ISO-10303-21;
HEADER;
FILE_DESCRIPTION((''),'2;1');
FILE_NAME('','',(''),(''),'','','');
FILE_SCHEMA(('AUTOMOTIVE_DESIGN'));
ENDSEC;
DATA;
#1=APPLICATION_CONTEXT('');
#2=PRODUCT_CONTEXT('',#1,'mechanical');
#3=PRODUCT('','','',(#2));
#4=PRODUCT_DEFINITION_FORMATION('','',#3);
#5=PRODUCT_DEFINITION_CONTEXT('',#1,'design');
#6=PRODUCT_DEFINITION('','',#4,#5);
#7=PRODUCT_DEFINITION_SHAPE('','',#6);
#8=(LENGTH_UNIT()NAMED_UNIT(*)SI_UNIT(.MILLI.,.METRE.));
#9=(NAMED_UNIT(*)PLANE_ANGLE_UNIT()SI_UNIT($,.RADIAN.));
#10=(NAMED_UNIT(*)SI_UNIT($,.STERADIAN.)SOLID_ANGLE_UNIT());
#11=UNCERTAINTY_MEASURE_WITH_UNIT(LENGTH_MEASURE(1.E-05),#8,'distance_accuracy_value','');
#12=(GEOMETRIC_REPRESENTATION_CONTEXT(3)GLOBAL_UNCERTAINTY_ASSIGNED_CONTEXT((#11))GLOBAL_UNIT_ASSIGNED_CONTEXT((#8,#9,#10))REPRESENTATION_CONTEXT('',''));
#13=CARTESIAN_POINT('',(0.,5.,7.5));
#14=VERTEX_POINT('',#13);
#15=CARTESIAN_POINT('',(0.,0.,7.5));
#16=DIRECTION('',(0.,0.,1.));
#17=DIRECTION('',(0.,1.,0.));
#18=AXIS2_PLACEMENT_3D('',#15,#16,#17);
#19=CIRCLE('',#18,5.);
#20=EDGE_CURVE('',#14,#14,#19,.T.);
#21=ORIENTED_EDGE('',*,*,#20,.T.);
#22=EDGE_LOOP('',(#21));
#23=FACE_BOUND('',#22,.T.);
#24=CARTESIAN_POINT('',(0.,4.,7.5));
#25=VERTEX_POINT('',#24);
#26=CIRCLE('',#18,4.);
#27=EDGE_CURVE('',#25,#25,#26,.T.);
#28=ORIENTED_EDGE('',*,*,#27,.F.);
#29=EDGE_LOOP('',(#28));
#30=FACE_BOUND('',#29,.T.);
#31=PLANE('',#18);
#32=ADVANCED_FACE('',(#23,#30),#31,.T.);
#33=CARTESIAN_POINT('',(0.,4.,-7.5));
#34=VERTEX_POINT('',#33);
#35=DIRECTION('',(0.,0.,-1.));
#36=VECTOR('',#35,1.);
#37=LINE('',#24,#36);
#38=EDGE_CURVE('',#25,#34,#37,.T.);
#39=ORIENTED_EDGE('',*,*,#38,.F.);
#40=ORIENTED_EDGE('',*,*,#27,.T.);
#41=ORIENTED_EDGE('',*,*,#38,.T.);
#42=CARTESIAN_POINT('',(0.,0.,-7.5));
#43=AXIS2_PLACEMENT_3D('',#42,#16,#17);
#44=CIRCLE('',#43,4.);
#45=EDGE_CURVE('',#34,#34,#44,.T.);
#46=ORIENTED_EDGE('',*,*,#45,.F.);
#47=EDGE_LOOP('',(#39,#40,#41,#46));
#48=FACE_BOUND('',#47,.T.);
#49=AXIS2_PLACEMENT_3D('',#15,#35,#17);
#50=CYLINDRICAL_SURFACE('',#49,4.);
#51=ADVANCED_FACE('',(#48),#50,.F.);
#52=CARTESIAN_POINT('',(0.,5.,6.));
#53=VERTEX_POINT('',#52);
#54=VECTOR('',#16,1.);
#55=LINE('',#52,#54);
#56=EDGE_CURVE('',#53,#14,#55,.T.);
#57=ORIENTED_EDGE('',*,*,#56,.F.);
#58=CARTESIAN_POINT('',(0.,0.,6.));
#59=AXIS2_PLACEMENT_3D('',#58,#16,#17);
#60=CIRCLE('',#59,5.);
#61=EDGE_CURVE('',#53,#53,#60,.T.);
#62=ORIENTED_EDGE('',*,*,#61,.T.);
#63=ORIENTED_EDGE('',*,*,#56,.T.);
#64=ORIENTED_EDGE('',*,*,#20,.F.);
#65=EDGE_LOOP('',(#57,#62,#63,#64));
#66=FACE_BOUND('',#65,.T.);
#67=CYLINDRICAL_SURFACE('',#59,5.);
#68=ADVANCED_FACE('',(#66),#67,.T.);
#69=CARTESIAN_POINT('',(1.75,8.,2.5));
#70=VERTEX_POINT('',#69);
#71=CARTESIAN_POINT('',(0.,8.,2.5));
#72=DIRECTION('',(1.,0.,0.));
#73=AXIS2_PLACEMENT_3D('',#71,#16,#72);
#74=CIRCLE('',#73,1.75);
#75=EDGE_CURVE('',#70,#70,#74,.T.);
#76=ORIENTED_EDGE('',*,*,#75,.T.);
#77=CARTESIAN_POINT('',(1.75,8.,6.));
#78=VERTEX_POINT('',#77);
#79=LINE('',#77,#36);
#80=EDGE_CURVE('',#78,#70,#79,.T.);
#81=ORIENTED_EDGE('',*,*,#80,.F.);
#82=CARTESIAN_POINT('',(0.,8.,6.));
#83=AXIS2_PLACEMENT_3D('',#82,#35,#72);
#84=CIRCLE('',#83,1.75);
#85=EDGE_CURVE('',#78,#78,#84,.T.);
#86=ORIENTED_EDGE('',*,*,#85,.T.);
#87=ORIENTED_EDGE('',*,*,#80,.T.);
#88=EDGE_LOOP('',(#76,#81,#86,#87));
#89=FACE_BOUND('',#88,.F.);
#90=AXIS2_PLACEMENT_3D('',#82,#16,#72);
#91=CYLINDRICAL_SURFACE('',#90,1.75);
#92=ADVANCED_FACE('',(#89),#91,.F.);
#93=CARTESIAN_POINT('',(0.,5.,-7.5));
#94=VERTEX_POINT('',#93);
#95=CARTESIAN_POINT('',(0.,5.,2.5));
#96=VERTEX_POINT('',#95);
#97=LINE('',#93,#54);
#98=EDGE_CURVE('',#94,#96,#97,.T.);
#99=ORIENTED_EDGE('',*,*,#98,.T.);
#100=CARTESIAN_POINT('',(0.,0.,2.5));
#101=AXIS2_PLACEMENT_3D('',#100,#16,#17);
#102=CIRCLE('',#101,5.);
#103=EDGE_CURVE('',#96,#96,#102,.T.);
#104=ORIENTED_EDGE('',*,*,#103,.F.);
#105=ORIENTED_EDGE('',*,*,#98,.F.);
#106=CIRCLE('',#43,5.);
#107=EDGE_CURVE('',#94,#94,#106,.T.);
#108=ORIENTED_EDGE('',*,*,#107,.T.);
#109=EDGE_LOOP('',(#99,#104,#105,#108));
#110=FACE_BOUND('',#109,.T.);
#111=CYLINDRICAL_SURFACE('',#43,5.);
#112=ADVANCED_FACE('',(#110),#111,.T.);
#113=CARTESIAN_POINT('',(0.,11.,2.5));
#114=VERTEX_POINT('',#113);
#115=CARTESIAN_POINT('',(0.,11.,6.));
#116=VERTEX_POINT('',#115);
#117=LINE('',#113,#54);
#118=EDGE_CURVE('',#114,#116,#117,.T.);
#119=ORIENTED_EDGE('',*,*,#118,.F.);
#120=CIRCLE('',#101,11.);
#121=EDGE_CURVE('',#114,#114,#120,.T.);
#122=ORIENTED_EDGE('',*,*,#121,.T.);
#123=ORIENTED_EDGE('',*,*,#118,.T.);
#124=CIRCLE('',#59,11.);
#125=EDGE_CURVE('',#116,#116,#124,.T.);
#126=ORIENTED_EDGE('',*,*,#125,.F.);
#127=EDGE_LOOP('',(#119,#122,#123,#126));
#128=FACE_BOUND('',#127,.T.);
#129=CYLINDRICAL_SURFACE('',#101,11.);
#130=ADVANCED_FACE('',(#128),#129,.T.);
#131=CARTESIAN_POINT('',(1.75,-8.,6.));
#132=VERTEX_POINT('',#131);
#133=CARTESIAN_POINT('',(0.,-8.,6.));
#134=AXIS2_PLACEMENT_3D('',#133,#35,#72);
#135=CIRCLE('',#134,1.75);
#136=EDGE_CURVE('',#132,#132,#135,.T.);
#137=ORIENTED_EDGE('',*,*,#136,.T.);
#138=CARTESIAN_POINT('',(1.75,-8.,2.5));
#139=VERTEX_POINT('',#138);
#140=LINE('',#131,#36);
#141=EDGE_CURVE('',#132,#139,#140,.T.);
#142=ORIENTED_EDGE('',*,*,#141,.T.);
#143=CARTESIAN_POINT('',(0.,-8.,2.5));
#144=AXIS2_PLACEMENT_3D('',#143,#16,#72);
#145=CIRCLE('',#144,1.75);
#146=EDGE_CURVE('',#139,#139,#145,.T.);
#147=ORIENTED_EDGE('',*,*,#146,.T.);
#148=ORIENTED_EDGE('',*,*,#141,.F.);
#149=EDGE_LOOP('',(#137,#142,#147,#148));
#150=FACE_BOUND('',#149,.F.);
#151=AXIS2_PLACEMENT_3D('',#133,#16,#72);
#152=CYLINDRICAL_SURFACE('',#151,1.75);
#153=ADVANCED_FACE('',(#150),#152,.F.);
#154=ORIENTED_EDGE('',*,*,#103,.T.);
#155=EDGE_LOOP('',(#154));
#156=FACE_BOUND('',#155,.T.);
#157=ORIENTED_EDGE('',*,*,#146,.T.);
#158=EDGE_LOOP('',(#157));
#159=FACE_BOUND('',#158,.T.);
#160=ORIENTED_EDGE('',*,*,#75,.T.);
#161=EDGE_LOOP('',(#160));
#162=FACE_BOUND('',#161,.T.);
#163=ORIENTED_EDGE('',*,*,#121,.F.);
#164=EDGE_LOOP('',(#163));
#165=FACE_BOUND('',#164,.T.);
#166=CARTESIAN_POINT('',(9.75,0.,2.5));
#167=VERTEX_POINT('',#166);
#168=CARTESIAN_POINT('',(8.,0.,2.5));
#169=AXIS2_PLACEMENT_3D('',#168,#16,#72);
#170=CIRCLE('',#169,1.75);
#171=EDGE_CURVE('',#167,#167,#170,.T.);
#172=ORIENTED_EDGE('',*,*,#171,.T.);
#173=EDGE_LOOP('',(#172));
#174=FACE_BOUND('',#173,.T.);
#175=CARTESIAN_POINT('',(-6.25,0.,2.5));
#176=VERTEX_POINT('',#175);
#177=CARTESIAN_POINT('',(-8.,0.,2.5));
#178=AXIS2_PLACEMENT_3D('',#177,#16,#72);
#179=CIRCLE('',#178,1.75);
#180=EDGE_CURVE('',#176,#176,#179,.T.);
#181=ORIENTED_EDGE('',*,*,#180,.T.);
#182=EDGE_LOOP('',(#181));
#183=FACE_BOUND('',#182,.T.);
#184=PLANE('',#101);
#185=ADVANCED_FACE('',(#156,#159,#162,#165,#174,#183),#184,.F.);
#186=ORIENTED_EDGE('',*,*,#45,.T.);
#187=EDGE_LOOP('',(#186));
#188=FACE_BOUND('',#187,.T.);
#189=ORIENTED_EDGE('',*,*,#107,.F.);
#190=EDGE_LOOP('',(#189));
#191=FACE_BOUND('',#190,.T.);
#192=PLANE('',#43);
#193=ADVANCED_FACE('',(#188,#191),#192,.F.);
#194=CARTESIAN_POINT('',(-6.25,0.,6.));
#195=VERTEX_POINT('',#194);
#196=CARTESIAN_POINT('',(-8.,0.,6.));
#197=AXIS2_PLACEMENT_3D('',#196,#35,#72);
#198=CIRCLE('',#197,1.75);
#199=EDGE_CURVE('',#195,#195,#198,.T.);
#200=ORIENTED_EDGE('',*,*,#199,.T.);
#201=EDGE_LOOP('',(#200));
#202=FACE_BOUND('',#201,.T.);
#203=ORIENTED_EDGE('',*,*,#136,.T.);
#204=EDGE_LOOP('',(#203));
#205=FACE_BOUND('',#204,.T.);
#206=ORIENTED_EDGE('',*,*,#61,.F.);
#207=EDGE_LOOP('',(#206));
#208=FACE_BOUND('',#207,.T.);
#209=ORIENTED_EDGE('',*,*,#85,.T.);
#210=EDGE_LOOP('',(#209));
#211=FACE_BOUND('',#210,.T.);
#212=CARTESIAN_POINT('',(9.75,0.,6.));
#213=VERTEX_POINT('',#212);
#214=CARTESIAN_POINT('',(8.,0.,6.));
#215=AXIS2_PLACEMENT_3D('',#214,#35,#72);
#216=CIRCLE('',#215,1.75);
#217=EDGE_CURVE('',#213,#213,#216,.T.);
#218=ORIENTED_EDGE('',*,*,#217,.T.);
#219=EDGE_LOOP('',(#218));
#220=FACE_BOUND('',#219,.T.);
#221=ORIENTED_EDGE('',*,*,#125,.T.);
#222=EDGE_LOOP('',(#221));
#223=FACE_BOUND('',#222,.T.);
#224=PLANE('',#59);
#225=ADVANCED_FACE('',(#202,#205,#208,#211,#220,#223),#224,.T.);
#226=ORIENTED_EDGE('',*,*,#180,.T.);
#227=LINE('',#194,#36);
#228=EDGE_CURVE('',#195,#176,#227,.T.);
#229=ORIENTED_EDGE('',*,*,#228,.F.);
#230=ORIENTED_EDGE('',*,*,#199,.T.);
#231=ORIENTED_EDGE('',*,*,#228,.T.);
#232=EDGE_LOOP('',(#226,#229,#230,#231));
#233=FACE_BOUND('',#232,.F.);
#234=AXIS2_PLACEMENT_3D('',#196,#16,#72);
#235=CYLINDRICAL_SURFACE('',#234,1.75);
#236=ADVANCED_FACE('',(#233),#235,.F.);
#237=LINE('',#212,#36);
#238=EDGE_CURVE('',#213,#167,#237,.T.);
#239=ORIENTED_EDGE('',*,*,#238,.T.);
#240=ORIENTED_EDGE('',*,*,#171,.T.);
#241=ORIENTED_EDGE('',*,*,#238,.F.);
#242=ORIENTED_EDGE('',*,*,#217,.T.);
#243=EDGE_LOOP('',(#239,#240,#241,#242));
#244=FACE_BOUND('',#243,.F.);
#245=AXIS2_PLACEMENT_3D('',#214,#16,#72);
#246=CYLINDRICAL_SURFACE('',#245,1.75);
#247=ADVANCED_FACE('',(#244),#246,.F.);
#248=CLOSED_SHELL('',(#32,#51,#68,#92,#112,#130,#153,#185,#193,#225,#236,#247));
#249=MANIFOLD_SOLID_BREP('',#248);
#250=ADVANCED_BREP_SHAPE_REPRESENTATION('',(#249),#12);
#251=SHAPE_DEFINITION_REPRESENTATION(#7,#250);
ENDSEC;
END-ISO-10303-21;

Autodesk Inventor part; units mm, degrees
ref_plane "YZ Plane" through (0, 0, 0) normal (1, 0, 0) x (0, 1, 0)
ref_plane "XZ Plane" through (0, 0, 0) normal (0, 1, 0) x (-1, 0, 0)
ref_plane "XY Plane" through (0, 0, 0) normal (0, 0, 1) x (1, 0, 0)
sketch "Sketch1" plane through (0, 0, 0) normal (1, 0, 0) x (0, 1, 0)
  line L0 (5, 7.5) -> (4, 7.5)
  line L1 (4, 7.5) -> (4, -7.5)
  line L2 (4, -7.5) -> (5, -7.5)
  line L3 (11, 6) -> (5, 6)
  line L4 (5, 2.5) -> (11, 2.5)
  line L5 (11, 2.5) -> (11, 6)
  line L6 (5, -7.5) -> (5, 2.5)
  line L7 (5, 6) -> (5, 7.5)
  line L8 (0, -10.5) -> (0, 10.5) projected
  point P0 (0, 0)
  point P1 (5, 6.75)
  point P2 (5, -2.5)
  point P3 (4, 0)
  dimension "d0" = 10
  dimension "d1" = 3.5
  dimension "d2" = 1.5
  dimension "d3" = 11
  dimension "d4" = 5
  dimension "d5" = 4
revolve "Revolution1" add sketch "Sketch1" angle 360 about axis through (0, 0, -10) along (0, 0, 1)
sketch "Sketch2" plane through (0, 0, 6) normal (0, 0, 1) x (1, 0, 0)
  circle A0 centre (0, 0) radius 8
  circle A1 centre (0, 8) radius 1.75
  circle A2 centre (8, 0) radius 1.75
  circle A3 centre (-8, 0) radius 1.75
  circle A4 centre (0, -8) radius 1.75
  dimension "d7" = 16
  dimension "d8" = 3.5
extrude "Extrusion1" cut sketch "Sketch2" against normal blind 10 contours A0 A2 | A0 A2 | A1 A0 | A0 A1 | A4 A0 | A0 A4 | A3 A0 | A0 A3
properties part number "Screw"
